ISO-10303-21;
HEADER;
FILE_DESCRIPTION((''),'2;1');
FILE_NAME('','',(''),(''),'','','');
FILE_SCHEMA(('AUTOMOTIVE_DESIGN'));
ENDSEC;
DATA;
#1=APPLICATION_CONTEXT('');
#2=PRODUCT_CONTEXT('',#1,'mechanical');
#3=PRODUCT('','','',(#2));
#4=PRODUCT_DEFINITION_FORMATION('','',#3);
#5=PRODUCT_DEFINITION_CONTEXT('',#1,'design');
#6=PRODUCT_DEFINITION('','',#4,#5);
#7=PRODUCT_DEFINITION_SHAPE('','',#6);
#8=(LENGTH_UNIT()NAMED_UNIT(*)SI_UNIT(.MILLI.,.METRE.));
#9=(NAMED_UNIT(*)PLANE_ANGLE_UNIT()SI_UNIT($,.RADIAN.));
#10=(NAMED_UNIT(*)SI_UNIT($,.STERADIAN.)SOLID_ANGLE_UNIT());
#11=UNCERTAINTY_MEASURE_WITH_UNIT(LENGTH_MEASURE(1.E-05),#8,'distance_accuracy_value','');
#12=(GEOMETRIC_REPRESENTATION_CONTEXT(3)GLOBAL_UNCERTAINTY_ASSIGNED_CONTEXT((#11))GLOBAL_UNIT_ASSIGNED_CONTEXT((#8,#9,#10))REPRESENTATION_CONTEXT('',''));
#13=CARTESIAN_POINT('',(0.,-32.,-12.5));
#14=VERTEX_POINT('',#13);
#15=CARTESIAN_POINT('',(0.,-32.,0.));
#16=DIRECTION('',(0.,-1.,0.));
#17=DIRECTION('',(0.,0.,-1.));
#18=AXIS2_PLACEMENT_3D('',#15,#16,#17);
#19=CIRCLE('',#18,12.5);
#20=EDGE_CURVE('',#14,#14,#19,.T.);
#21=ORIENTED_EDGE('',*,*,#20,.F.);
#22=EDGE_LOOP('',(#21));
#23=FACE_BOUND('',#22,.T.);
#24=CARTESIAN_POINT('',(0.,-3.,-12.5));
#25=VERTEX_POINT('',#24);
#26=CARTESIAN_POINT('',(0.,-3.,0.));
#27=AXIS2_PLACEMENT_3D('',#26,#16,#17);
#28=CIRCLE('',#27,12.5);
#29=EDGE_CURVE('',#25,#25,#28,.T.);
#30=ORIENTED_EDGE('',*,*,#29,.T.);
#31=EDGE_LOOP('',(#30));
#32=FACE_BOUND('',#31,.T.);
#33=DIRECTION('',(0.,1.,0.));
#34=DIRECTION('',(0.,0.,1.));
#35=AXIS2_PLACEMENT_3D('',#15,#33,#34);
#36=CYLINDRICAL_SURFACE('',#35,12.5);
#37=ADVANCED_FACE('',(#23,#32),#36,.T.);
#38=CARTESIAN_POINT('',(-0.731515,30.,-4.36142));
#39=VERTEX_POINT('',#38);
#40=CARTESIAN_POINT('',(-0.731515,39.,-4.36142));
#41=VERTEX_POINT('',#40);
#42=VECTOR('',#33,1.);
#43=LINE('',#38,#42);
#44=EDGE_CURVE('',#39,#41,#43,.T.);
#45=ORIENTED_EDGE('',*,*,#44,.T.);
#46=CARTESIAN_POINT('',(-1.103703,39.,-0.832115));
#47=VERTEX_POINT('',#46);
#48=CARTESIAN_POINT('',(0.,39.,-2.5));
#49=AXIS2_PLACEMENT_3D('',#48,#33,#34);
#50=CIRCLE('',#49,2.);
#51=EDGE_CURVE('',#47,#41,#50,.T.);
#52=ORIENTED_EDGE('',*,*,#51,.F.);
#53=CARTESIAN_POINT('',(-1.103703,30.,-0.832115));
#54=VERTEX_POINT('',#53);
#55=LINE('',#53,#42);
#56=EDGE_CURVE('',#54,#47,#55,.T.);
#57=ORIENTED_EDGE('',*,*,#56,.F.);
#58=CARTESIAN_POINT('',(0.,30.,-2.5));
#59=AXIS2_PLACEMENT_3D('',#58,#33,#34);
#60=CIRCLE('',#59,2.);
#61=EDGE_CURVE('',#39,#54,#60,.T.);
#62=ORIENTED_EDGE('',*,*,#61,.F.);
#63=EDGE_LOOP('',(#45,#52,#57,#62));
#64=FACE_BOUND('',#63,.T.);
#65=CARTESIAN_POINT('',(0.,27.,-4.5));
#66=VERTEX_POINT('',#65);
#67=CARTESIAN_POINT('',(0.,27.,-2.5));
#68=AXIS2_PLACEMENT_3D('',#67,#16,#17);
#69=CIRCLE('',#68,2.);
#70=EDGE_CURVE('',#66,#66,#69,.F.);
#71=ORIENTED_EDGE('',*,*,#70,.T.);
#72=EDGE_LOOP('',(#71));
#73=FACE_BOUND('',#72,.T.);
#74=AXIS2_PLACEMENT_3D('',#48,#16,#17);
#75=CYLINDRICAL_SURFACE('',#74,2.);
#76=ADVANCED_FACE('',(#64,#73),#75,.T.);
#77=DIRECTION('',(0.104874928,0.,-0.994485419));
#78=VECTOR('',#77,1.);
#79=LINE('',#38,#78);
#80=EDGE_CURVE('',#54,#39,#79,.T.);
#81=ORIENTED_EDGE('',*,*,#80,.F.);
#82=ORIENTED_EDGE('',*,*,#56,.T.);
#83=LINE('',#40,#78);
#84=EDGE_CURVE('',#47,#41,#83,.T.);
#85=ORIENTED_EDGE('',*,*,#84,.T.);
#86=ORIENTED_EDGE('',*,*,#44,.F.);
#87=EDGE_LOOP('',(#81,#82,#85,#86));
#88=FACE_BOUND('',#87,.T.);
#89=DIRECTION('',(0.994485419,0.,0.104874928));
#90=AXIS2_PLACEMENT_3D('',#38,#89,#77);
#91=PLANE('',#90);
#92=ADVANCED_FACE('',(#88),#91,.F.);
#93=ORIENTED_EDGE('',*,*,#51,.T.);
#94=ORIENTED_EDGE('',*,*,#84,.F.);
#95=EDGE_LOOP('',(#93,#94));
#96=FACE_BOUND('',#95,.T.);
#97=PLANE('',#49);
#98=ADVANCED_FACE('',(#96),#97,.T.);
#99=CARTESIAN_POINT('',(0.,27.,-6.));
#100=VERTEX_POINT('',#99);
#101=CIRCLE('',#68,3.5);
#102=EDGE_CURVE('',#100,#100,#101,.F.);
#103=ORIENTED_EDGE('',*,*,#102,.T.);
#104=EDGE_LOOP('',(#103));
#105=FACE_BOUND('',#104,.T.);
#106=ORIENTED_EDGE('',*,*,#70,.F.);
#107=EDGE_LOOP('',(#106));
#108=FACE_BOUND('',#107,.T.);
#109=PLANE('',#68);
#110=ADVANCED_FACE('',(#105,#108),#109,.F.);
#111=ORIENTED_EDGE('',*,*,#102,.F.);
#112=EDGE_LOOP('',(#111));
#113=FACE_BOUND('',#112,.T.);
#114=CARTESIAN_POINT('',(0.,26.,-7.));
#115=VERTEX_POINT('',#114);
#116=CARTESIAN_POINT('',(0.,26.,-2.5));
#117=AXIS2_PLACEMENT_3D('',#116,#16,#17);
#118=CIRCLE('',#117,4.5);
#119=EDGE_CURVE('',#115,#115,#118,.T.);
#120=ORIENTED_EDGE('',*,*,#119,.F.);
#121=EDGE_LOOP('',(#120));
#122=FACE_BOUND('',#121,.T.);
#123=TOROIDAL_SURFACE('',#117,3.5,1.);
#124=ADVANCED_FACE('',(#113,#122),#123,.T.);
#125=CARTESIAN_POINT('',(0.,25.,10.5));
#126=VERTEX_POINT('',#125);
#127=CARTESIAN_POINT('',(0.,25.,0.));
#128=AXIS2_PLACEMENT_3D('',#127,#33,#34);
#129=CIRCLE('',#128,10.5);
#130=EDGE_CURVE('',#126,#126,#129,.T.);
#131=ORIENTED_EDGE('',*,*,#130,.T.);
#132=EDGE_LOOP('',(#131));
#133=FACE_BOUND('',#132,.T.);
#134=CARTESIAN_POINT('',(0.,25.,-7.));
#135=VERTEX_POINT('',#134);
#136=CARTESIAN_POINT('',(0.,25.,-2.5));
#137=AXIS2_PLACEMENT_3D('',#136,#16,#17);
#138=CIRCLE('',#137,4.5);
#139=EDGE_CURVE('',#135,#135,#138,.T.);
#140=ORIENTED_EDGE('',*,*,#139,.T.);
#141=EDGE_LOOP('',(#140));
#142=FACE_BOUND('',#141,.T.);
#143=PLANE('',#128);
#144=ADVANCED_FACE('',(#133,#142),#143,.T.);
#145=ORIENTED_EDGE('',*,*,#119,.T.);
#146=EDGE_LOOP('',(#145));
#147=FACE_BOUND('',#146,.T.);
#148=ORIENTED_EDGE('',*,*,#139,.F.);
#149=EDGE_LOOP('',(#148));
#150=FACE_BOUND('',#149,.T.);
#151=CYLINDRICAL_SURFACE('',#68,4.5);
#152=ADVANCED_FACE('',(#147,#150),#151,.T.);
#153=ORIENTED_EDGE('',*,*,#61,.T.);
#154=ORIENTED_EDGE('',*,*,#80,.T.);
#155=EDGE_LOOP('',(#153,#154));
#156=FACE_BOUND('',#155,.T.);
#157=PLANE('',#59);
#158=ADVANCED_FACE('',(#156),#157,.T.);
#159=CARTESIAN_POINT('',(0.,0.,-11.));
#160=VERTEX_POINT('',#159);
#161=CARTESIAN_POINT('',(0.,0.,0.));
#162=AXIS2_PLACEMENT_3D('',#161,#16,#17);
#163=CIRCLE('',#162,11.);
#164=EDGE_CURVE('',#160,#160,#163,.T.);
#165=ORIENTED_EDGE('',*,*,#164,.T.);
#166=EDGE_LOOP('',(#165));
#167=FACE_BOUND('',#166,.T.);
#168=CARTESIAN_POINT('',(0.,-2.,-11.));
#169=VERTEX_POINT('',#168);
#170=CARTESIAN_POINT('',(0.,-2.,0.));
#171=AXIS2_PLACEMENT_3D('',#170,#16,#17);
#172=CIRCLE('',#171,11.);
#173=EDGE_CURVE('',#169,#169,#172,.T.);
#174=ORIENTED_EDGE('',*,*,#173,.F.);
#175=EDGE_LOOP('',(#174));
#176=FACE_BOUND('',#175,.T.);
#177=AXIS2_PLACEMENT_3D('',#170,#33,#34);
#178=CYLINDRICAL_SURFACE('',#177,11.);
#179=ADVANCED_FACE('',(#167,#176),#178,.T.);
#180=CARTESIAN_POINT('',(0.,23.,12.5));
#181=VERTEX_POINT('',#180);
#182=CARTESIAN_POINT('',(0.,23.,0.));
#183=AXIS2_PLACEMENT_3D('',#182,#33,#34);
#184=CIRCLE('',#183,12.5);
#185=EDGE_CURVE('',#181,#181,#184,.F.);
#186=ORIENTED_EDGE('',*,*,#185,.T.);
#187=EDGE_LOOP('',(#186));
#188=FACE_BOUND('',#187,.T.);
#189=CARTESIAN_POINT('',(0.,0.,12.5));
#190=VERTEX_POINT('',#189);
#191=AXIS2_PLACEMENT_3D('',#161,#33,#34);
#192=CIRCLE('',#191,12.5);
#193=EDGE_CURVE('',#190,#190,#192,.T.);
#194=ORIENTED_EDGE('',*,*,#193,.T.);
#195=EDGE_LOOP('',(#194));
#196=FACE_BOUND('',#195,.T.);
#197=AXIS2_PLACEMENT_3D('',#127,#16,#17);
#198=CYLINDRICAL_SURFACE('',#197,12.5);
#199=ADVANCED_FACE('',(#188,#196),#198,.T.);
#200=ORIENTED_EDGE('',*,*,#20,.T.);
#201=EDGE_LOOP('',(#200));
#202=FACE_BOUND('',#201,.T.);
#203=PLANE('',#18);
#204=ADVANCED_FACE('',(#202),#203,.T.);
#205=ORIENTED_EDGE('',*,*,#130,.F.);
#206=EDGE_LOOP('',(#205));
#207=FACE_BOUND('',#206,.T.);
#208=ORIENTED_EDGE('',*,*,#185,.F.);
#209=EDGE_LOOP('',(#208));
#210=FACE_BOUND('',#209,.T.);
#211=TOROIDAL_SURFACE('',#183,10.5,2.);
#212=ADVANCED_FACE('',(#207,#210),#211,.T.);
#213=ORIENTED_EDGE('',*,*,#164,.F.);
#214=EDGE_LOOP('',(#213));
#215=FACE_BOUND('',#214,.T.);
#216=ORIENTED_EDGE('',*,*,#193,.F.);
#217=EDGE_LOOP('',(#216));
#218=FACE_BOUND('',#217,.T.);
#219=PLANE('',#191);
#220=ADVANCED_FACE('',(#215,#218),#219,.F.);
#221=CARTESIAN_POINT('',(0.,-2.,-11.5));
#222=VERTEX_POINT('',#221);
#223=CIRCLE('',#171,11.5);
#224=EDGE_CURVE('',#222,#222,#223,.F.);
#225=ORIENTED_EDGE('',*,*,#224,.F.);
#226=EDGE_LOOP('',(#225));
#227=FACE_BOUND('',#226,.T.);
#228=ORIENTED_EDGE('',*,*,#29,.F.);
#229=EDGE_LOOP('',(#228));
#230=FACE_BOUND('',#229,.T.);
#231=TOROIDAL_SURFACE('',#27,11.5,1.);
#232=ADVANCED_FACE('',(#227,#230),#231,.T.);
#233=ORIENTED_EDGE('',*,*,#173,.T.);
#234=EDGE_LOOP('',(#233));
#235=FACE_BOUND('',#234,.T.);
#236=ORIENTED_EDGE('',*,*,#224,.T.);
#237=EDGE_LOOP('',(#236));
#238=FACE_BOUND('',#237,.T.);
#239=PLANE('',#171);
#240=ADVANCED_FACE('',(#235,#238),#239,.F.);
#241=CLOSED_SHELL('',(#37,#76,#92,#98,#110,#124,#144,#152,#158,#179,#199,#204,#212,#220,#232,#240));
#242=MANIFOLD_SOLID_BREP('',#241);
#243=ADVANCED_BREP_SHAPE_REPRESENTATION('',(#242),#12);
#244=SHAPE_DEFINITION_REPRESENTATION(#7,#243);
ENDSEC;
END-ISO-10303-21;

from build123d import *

# Parameters (mm, degrees)
SKETCH1_R           = 12.5
BOSS_EXTRUDE1_DEPTH = 25
SKETCH2_R           = 11
BOSS_EXTRUDE2_DEPTH = 2
BOSS_EXTRUDE3_START = 30
SKETCH3_R           = 12.5
BOSS_EXTRUDE3_DEPTH = 30
SKETCH4_R           = 4.5
BOSS_EXTRUDE4_DEPTH = 2
FILLET1_R           = 2
FILLET2_R           = 1
FILLET3_R           = 1
SKETCH5_R           = 2
BOSS_EXTRUDE5_DEPTH = 12
CUT_EXTRUDE1_START  = -9
CUT_EXTRUDE1_DEPTH  = 9


with BuildPart() as part:
    # Sketch1 → Boss-Extrude1 (new body)
    with BuildSketch(Plane(origin=(0, 0, 0), x_dir=(1, 0, 0), z_dir=(0, 1, 0))):
        with Locations(Location((0, 0, 0), (0, 0, 270))):
            Circle(SKETCH1_R)
    extrude(amount=BOSS_EXTRUDE1_DEPTH)

    # Sketch2 → Boss-Extrude2 (add)
    with BuildSketch(Plane.XZ):
        with Locations(Location((0, 0, 0), (0, 0, 270))):
            Circle(SKETCH2_R)
    extrude(amount=BOSS_EXTRUDE2_DEPTH)

    # Sketch3 → Boss-Extrude3 (add)
    with BuildSketch(Plane.XZ.offset(2).offset(BOSS_EXTRUDE3_START)):
        with Locations(Location((0, 0, 0), (0, 0, 90))):
            Circle(SKETCH3_R)
    extrude(amount=-BOSS_EXTRUDE3_DEPTH)

    # Sketch4 → Boss-Extrude4 (add)
    with BuildSketch(Plane.XZ.offset(-25)):
        with Locations(Location((0, -2.5, 0), (0, 0, 270))):
            Circle(SKETCH4_R)
    extrude(amount=-BOSS_EXTRUDE4_DEPTH)

    # Fillet1
    fillet1_edges = [part.edges().sort_by_distance(p)[0] for p in [
        (0, 25, -12.5),
    ]]
    fillet(fillet1_edges, radius=FILLET1_R)

    # Fillet2
    fillet2_edges = [part.edges().sort_by_distance(p)[0] for p in [
        (0, -2, -12.5),
    ]]
    fillet(fillet2_edges, radius=FILLET2_R)

    # Fillet3
    fillet3_edges = [part.edges().sort_by_distance(p)[0] for p in [
        (0, 27, 2),
    ]]
    fillet(fillet3_edges, radius=FILLET3_R)

    # Sketch5 → Boss-Extrude5 (add)
    with BuildSketch(Plane(origin=(0, 27, 0), x_dir=(1, 0, 0), z_dir=(0, 1, 0))):
        with Locations(Location((0, 2.5, 0), (0, 0, 90))):
            Circle(SKETCH5_R)
    extrude(amount=BOSS_EXTRUDE5_DEPTH)

    # Sketch10 → Cut-Extrude1 (cut)
    with BuildSketch(Plane(origin=(0, 39, 0), x_dir=(1, 0, 0), z_dir=(0, 1, 0)).offset(CUT_EXTRUDE1_START)):
        with BuildLine():
            Line((-0.731515286, 4.361420261), (-1.103703337, 0.832115428))
            ThreePointArc((-1.103703337, 0.832115428), (-1.988970839, 2.709749856), (-0.731515286, 4.361420261))
        make_face()
    extrude(amount=CUT_EXTRUDE1_DEPTH, mode=Mode.SUBTRACT)


solid = part.part
